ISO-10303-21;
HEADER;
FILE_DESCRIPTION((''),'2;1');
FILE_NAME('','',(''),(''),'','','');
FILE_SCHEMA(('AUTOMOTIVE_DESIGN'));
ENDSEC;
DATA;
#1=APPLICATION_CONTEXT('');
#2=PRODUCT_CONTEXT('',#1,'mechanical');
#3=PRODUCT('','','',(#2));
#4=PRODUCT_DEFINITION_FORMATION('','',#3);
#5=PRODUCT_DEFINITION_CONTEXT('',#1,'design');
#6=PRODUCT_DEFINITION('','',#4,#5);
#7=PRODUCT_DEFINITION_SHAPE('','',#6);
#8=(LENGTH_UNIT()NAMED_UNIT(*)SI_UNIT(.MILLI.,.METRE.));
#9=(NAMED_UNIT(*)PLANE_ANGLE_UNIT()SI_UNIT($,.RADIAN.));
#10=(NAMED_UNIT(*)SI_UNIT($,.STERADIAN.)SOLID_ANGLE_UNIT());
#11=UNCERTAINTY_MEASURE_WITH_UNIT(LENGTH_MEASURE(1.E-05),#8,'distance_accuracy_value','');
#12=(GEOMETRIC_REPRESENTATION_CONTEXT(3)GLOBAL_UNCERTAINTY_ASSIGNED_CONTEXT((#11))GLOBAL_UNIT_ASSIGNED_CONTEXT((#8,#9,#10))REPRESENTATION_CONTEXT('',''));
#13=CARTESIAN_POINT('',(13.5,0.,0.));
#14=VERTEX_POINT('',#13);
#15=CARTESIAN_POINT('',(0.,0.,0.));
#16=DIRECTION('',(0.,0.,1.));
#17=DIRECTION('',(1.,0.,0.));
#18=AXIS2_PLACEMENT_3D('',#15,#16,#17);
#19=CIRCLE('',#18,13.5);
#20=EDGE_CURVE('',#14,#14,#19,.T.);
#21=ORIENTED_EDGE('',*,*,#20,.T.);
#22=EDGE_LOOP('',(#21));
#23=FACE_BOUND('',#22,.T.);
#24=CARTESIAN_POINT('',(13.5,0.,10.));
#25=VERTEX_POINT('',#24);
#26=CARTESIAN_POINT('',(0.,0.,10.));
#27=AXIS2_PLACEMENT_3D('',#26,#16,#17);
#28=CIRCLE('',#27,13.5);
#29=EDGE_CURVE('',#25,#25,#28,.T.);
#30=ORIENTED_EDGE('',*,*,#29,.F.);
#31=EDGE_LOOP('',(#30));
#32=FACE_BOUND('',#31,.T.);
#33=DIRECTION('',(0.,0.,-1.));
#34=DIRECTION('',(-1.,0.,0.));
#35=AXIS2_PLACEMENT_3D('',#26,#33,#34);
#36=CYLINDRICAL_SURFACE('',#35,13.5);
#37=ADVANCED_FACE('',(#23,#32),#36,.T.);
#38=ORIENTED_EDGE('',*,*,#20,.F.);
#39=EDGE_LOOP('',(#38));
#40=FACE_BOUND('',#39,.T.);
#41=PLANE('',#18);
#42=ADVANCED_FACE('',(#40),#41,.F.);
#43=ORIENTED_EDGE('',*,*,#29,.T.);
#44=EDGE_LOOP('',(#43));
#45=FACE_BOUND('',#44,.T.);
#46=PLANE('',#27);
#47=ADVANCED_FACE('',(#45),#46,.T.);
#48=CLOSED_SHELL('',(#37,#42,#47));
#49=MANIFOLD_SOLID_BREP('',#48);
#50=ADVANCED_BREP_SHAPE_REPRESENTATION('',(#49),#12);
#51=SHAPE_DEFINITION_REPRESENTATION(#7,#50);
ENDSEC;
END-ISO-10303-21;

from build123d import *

# Parameters (mm, degrees)
ESQUISSE1_R          = 13.5
BASE_EXTRUSION_DEPTH = 10


with BuildPart() as part:
    # Esquisse1 → Base-Extrusion (new body)
    with BuildSketch(Plane.XY):
        Circle(ESQUISSE1_R)
    extrude(amount=BASE_EXTRUSION_DEPTH)


solid = part.part
